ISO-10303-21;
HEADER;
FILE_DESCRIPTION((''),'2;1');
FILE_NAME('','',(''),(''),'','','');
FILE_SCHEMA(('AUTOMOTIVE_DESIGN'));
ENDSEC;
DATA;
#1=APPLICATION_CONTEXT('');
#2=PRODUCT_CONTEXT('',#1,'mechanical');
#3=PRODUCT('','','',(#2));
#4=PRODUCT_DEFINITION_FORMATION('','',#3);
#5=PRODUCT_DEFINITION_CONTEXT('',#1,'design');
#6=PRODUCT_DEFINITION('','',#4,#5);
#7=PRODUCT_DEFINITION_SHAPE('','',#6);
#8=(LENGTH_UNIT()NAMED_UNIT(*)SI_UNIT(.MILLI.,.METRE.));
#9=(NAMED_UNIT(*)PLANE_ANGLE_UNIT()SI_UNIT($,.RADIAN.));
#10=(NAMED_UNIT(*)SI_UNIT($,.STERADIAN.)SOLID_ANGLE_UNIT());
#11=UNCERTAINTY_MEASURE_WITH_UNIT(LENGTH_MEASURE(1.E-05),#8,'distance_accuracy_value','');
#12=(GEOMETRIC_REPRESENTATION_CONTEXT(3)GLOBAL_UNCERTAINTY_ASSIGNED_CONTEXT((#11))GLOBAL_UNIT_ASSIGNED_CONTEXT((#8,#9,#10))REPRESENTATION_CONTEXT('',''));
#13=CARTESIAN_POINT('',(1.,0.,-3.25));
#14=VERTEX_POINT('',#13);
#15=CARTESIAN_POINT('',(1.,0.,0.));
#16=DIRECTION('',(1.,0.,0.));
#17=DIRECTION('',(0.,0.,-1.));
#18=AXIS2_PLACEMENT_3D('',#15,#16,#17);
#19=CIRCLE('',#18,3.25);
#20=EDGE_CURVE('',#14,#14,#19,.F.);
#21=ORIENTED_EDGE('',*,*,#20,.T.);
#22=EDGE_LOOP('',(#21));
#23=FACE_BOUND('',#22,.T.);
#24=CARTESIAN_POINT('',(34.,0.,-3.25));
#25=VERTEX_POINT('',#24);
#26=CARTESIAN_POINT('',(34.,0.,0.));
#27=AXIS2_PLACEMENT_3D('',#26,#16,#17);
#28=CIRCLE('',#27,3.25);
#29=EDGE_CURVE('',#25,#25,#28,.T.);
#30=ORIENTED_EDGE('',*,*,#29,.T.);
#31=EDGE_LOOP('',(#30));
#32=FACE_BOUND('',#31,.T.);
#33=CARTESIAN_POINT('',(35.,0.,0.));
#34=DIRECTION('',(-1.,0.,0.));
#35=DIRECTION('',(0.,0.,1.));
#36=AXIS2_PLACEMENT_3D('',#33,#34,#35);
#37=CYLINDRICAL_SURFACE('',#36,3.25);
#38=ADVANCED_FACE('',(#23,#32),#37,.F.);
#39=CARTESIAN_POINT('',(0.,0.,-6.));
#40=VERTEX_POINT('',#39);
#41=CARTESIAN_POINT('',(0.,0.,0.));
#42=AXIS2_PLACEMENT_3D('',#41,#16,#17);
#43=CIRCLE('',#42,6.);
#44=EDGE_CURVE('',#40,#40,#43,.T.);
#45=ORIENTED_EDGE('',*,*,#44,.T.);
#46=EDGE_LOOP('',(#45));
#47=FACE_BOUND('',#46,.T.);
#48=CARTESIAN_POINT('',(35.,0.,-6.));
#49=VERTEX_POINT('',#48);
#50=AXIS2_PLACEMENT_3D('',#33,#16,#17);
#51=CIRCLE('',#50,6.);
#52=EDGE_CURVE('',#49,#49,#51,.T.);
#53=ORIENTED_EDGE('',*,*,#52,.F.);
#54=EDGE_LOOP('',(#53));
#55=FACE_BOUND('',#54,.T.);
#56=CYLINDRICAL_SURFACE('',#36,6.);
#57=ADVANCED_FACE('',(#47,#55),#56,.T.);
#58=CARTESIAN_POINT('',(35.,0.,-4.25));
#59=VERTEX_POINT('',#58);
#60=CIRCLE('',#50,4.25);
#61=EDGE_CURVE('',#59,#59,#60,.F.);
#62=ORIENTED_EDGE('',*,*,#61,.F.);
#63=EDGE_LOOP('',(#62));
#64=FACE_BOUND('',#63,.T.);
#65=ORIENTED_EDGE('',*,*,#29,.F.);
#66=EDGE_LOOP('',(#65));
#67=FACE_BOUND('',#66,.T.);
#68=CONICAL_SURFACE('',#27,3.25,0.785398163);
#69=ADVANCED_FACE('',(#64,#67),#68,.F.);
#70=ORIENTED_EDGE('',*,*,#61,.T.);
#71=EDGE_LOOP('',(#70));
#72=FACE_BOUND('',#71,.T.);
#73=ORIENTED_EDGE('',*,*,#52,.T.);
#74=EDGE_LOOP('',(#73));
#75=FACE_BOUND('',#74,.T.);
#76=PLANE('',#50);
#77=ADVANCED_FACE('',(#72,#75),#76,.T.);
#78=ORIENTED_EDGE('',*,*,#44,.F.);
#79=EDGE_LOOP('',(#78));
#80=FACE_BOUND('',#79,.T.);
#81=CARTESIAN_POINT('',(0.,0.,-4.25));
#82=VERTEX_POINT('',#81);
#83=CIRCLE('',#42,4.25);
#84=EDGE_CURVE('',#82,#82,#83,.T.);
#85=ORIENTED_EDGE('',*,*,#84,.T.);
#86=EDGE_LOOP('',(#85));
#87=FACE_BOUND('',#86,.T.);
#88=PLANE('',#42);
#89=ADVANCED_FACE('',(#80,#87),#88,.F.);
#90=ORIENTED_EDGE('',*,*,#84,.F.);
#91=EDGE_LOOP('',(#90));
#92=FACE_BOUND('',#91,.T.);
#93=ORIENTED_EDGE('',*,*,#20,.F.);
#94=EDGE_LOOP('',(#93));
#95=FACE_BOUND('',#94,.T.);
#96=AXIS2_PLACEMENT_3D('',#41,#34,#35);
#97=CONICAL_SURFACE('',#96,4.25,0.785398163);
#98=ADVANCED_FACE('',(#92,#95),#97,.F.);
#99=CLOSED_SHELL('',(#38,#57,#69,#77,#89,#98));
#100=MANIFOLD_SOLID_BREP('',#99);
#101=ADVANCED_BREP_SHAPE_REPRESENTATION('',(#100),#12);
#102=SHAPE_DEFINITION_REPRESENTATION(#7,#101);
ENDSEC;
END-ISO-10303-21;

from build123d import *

# Parameters (mm, degrees)
SKETCH_1_R      = 6
SKETCH_1_R_2    = 3.25
EXTRUDE_1_DEPTH = 35
CHAMFER_1_SIZE  = 1


with BuildPart() as part:
    # Эскиз1 → Бобышка-Вытянуть1 (new body)
    with BuildSketch(Plane(origin=(0, 0, 0), x_dir=(0, 0, -1), z_dir=(1, 0, 0))):
        Circle(SKETCH_1_R)
        Circle(SKETCH_1_R_2, mode=Mode.SUBTRACT)
    extrude(amount=EXTRUDE_1_DEPTH)

    # Фаска1
    chamfer_1_edges = [part.edges().sort_by_distance(p)[0] for p in [
        (0, 0, 3.25),
        (35, 0, 3.25),
    ]]
    chamfer(chamfer_1_edges, length=CHAMFER_1_SIZE)


solid = part.part
